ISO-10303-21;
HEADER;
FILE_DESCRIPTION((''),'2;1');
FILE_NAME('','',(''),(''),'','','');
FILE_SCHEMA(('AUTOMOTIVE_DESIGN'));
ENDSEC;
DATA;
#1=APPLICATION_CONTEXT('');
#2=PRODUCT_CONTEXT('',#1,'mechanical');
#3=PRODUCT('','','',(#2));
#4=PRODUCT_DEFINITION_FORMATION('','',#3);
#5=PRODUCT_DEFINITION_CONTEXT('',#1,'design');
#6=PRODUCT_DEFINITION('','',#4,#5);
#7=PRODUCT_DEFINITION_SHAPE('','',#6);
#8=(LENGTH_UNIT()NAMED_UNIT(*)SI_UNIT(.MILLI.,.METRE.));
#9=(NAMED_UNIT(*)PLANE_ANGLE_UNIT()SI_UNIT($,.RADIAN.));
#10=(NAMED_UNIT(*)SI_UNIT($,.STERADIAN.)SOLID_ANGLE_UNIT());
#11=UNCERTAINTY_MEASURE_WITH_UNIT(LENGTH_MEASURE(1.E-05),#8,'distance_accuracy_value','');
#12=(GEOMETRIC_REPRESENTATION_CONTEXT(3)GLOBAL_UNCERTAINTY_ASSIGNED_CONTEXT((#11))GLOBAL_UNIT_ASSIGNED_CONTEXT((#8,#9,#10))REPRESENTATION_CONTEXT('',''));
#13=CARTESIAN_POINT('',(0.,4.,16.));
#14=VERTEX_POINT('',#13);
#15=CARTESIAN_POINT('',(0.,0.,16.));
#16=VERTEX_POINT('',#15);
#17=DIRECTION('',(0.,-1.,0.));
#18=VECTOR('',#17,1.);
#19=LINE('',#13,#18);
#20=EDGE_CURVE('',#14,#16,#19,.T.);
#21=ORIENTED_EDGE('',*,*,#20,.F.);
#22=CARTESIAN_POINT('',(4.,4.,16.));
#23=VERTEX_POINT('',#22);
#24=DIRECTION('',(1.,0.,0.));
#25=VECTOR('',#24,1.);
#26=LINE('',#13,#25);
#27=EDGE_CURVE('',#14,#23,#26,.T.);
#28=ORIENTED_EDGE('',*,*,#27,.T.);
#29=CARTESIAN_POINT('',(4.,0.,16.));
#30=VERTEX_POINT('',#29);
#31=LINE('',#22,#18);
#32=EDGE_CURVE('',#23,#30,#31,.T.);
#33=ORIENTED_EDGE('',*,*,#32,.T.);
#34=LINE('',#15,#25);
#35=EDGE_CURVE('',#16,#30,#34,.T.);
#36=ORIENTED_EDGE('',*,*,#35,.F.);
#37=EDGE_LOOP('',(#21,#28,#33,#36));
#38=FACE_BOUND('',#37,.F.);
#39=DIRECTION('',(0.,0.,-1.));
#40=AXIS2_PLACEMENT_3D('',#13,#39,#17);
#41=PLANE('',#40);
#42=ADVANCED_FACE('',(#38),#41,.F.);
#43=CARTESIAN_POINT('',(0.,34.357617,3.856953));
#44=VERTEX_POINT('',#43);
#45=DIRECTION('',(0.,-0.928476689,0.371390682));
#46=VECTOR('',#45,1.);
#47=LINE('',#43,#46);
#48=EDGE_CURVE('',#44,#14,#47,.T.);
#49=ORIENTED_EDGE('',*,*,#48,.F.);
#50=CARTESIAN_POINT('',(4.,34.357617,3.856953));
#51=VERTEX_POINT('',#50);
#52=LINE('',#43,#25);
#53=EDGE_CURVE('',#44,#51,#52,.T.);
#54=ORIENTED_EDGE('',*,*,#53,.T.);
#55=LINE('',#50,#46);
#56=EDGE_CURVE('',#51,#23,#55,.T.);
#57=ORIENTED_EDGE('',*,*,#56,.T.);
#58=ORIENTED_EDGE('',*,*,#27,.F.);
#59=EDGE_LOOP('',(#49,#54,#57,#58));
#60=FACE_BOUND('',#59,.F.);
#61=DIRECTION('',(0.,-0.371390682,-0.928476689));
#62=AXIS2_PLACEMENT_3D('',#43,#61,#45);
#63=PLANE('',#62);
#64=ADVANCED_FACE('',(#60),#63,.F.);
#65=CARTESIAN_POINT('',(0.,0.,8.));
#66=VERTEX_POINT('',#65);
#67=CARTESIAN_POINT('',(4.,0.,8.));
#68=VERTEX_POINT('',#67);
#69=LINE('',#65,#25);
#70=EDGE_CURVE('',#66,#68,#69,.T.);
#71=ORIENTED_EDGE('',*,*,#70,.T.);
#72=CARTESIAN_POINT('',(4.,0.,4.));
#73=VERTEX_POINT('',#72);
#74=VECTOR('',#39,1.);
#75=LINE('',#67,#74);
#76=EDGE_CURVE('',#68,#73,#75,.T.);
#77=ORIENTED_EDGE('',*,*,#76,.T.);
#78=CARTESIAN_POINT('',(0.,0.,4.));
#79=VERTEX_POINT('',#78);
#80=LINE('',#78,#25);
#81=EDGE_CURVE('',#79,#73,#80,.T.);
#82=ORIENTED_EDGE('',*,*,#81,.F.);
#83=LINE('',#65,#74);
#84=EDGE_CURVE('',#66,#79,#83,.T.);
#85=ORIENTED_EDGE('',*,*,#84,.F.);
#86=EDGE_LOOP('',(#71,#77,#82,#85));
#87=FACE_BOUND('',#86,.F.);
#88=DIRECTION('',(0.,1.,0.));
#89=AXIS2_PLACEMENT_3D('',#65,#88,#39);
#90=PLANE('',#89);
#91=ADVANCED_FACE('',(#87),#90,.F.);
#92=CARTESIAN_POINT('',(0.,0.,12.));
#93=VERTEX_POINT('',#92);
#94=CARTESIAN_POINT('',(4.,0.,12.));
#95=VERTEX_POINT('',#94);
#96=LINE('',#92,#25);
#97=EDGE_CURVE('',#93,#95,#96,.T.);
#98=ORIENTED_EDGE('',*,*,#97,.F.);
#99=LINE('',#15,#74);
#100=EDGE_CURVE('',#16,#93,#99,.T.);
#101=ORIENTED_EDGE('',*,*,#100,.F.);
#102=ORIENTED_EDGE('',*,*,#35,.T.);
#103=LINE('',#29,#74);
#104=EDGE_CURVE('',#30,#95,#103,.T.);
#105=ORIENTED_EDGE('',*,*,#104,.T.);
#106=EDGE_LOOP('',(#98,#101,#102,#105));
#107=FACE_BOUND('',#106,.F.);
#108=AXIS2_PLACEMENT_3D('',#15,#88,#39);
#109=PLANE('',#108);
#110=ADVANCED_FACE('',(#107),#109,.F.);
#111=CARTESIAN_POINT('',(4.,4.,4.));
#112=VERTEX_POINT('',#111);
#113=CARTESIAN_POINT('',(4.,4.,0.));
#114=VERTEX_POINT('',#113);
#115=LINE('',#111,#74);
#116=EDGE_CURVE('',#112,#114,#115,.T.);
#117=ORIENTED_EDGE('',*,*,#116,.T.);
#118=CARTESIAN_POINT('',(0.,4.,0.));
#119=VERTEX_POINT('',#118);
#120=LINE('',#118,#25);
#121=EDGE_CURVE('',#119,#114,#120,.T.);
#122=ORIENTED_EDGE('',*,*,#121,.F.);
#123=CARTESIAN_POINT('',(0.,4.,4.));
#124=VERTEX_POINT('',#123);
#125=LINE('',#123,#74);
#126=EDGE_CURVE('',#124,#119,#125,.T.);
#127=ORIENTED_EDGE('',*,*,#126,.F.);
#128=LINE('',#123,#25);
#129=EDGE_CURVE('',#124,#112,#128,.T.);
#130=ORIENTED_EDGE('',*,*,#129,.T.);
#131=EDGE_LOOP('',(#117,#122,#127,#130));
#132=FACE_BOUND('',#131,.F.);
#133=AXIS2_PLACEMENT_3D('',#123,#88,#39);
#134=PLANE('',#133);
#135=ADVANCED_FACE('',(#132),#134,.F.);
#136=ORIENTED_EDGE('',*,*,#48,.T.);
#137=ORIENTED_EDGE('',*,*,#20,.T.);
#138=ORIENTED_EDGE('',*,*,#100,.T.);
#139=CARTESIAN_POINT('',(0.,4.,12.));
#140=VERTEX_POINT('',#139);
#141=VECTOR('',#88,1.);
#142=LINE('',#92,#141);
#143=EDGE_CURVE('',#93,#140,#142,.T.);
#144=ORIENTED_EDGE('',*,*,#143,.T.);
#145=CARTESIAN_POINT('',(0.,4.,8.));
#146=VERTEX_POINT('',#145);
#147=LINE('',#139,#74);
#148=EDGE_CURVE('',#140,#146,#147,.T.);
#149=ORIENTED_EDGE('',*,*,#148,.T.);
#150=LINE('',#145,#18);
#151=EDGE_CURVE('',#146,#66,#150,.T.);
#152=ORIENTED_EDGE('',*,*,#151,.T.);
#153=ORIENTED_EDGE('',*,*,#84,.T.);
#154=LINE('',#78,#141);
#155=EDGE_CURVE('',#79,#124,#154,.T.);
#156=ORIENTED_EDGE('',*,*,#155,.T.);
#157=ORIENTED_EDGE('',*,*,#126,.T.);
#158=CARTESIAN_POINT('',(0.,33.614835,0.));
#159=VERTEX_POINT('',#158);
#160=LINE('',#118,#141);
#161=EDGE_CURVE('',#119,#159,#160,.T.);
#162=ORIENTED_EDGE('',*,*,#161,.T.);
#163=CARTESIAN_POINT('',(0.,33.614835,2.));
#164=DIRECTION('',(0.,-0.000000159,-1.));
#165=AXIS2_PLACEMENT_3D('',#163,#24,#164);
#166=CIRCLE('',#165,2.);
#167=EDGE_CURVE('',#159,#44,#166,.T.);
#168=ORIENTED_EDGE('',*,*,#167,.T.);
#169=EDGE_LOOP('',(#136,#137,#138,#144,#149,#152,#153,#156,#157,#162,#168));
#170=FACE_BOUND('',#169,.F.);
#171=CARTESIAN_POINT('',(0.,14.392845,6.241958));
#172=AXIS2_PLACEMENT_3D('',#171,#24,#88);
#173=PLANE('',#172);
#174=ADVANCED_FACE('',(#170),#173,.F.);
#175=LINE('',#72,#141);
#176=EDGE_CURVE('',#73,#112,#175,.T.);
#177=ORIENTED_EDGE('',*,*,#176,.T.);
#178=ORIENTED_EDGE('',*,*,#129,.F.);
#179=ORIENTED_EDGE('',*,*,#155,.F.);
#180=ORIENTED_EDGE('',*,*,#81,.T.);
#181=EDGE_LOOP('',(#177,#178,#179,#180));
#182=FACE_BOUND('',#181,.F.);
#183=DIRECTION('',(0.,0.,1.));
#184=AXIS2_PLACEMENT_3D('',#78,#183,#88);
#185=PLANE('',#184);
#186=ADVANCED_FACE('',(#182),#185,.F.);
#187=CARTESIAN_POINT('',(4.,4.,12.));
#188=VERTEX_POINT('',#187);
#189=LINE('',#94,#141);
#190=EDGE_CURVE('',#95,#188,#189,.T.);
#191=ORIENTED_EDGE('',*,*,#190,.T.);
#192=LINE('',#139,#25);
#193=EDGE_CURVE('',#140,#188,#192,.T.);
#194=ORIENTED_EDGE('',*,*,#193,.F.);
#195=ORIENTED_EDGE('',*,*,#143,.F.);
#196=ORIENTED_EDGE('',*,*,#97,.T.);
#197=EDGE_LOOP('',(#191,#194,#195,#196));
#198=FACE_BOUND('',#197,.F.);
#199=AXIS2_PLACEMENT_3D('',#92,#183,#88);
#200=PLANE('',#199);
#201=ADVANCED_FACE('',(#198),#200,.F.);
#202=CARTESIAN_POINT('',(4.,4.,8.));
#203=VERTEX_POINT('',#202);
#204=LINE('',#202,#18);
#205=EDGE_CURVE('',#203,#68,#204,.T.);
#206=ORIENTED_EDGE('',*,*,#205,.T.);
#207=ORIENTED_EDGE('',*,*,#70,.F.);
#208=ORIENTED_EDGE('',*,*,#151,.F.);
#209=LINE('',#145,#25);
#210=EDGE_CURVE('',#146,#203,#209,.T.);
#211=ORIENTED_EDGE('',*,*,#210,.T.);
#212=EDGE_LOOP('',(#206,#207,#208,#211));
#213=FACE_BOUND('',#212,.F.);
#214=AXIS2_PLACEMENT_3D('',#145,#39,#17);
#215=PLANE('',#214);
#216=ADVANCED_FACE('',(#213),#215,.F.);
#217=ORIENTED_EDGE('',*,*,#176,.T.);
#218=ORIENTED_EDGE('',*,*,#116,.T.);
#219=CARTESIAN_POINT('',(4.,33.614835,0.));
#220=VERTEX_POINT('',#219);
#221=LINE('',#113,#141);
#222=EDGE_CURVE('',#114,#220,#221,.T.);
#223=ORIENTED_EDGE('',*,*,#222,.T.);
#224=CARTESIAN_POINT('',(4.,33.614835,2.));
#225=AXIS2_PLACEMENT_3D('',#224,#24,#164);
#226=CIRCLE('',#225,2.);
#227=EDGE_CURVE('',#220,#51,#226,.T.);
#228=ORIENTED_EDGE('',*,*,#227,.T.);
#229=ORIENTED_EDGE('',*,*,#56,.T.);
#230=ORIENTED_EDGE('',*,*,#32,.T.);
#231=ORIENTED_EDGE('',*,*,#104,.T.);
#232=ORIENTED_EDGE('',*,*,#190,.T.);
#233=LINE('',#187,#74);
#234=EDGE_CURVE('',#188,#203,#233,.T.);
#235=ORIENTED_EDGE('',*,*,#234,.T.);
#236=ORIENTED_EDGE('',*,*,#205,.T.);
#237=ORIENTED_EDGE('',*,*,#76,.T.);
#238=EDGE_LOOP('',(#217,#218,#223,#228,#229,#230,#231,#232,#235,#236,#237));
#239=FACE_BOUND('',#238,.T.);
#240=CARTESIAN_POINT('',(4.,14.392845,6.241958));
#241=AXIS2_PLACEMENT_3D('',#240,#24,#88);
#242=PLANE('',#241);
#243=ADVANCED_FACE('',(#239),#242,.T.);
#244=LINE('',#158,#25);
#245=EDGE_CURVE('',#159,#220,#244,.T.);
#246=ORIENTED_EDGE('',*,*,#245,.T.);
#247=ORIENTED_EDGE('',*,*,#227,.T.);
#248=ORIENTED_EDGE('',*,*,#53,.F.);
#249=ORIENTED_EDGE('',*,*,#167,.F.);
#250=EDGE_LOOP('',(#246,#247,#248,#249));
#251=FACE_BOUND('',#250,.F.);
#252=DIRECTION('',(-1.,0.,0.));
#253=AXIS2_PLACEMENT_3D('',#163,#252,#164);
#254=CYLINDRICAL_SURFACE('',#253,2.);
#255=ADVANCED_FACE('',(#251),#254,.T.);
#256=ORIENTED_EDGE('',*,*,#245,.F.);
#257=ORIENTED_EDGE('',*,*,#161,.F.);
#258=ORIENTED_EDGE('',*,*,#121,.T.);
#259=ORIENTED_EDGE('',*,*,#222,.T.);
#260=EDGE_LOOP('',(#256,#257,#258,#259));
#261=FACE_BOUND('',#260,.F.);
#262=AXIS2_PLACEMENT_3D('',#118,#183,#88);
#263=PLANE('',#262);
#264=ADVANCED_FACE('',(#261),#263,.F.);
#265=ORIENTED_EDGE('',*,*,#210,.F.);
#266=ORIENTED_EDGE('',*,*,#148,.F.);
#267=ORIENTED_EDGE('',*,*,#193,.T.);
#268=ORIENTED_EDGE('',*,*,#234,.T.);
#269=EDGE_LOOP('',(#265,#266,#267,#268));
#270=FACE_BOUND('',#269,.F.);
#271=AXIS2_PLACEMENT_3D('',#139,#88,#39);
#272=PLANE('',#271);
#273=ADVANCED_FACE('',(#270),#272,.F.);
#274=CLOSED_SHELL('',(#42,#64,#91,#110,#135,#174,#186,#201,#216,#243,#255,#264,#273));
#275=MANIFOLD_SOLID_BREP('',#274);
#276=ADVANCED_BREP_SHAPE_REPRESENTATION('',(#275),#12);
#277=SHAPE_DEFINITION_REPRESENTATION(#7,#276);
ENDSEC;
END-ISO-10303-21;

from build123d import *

# Parameters (mm, degrees)
F1_DEPTH = 4


with BuildPart() as f1:
    # F0 (on Right) → F1 (new body)
    with BuildSketch(Plane.YZ):
        with BuildLine():
            Line((34.357617, 3.856953), (4, 16))
            Line((4, 16), (0, 16))
            Line((0, 16), (0, 12))
            Line((0, 12), (4, 12))
            Line((4, 12), (4, 8))
            Line((4, 8), (0, 8))
            Line((0, 8), (0, 4))
            Line((0, 4), (4, 4))
            Line((4, 4), (4, 0))
            Line((4, 0), (33.614835, 0))
            ThreePointArc((33.614835, 0), (35.578748, 1.621785), (34.357617, 3.856953))
        make_face()
    extrude(amount=F1_DEPTH)


solid = f1.part
